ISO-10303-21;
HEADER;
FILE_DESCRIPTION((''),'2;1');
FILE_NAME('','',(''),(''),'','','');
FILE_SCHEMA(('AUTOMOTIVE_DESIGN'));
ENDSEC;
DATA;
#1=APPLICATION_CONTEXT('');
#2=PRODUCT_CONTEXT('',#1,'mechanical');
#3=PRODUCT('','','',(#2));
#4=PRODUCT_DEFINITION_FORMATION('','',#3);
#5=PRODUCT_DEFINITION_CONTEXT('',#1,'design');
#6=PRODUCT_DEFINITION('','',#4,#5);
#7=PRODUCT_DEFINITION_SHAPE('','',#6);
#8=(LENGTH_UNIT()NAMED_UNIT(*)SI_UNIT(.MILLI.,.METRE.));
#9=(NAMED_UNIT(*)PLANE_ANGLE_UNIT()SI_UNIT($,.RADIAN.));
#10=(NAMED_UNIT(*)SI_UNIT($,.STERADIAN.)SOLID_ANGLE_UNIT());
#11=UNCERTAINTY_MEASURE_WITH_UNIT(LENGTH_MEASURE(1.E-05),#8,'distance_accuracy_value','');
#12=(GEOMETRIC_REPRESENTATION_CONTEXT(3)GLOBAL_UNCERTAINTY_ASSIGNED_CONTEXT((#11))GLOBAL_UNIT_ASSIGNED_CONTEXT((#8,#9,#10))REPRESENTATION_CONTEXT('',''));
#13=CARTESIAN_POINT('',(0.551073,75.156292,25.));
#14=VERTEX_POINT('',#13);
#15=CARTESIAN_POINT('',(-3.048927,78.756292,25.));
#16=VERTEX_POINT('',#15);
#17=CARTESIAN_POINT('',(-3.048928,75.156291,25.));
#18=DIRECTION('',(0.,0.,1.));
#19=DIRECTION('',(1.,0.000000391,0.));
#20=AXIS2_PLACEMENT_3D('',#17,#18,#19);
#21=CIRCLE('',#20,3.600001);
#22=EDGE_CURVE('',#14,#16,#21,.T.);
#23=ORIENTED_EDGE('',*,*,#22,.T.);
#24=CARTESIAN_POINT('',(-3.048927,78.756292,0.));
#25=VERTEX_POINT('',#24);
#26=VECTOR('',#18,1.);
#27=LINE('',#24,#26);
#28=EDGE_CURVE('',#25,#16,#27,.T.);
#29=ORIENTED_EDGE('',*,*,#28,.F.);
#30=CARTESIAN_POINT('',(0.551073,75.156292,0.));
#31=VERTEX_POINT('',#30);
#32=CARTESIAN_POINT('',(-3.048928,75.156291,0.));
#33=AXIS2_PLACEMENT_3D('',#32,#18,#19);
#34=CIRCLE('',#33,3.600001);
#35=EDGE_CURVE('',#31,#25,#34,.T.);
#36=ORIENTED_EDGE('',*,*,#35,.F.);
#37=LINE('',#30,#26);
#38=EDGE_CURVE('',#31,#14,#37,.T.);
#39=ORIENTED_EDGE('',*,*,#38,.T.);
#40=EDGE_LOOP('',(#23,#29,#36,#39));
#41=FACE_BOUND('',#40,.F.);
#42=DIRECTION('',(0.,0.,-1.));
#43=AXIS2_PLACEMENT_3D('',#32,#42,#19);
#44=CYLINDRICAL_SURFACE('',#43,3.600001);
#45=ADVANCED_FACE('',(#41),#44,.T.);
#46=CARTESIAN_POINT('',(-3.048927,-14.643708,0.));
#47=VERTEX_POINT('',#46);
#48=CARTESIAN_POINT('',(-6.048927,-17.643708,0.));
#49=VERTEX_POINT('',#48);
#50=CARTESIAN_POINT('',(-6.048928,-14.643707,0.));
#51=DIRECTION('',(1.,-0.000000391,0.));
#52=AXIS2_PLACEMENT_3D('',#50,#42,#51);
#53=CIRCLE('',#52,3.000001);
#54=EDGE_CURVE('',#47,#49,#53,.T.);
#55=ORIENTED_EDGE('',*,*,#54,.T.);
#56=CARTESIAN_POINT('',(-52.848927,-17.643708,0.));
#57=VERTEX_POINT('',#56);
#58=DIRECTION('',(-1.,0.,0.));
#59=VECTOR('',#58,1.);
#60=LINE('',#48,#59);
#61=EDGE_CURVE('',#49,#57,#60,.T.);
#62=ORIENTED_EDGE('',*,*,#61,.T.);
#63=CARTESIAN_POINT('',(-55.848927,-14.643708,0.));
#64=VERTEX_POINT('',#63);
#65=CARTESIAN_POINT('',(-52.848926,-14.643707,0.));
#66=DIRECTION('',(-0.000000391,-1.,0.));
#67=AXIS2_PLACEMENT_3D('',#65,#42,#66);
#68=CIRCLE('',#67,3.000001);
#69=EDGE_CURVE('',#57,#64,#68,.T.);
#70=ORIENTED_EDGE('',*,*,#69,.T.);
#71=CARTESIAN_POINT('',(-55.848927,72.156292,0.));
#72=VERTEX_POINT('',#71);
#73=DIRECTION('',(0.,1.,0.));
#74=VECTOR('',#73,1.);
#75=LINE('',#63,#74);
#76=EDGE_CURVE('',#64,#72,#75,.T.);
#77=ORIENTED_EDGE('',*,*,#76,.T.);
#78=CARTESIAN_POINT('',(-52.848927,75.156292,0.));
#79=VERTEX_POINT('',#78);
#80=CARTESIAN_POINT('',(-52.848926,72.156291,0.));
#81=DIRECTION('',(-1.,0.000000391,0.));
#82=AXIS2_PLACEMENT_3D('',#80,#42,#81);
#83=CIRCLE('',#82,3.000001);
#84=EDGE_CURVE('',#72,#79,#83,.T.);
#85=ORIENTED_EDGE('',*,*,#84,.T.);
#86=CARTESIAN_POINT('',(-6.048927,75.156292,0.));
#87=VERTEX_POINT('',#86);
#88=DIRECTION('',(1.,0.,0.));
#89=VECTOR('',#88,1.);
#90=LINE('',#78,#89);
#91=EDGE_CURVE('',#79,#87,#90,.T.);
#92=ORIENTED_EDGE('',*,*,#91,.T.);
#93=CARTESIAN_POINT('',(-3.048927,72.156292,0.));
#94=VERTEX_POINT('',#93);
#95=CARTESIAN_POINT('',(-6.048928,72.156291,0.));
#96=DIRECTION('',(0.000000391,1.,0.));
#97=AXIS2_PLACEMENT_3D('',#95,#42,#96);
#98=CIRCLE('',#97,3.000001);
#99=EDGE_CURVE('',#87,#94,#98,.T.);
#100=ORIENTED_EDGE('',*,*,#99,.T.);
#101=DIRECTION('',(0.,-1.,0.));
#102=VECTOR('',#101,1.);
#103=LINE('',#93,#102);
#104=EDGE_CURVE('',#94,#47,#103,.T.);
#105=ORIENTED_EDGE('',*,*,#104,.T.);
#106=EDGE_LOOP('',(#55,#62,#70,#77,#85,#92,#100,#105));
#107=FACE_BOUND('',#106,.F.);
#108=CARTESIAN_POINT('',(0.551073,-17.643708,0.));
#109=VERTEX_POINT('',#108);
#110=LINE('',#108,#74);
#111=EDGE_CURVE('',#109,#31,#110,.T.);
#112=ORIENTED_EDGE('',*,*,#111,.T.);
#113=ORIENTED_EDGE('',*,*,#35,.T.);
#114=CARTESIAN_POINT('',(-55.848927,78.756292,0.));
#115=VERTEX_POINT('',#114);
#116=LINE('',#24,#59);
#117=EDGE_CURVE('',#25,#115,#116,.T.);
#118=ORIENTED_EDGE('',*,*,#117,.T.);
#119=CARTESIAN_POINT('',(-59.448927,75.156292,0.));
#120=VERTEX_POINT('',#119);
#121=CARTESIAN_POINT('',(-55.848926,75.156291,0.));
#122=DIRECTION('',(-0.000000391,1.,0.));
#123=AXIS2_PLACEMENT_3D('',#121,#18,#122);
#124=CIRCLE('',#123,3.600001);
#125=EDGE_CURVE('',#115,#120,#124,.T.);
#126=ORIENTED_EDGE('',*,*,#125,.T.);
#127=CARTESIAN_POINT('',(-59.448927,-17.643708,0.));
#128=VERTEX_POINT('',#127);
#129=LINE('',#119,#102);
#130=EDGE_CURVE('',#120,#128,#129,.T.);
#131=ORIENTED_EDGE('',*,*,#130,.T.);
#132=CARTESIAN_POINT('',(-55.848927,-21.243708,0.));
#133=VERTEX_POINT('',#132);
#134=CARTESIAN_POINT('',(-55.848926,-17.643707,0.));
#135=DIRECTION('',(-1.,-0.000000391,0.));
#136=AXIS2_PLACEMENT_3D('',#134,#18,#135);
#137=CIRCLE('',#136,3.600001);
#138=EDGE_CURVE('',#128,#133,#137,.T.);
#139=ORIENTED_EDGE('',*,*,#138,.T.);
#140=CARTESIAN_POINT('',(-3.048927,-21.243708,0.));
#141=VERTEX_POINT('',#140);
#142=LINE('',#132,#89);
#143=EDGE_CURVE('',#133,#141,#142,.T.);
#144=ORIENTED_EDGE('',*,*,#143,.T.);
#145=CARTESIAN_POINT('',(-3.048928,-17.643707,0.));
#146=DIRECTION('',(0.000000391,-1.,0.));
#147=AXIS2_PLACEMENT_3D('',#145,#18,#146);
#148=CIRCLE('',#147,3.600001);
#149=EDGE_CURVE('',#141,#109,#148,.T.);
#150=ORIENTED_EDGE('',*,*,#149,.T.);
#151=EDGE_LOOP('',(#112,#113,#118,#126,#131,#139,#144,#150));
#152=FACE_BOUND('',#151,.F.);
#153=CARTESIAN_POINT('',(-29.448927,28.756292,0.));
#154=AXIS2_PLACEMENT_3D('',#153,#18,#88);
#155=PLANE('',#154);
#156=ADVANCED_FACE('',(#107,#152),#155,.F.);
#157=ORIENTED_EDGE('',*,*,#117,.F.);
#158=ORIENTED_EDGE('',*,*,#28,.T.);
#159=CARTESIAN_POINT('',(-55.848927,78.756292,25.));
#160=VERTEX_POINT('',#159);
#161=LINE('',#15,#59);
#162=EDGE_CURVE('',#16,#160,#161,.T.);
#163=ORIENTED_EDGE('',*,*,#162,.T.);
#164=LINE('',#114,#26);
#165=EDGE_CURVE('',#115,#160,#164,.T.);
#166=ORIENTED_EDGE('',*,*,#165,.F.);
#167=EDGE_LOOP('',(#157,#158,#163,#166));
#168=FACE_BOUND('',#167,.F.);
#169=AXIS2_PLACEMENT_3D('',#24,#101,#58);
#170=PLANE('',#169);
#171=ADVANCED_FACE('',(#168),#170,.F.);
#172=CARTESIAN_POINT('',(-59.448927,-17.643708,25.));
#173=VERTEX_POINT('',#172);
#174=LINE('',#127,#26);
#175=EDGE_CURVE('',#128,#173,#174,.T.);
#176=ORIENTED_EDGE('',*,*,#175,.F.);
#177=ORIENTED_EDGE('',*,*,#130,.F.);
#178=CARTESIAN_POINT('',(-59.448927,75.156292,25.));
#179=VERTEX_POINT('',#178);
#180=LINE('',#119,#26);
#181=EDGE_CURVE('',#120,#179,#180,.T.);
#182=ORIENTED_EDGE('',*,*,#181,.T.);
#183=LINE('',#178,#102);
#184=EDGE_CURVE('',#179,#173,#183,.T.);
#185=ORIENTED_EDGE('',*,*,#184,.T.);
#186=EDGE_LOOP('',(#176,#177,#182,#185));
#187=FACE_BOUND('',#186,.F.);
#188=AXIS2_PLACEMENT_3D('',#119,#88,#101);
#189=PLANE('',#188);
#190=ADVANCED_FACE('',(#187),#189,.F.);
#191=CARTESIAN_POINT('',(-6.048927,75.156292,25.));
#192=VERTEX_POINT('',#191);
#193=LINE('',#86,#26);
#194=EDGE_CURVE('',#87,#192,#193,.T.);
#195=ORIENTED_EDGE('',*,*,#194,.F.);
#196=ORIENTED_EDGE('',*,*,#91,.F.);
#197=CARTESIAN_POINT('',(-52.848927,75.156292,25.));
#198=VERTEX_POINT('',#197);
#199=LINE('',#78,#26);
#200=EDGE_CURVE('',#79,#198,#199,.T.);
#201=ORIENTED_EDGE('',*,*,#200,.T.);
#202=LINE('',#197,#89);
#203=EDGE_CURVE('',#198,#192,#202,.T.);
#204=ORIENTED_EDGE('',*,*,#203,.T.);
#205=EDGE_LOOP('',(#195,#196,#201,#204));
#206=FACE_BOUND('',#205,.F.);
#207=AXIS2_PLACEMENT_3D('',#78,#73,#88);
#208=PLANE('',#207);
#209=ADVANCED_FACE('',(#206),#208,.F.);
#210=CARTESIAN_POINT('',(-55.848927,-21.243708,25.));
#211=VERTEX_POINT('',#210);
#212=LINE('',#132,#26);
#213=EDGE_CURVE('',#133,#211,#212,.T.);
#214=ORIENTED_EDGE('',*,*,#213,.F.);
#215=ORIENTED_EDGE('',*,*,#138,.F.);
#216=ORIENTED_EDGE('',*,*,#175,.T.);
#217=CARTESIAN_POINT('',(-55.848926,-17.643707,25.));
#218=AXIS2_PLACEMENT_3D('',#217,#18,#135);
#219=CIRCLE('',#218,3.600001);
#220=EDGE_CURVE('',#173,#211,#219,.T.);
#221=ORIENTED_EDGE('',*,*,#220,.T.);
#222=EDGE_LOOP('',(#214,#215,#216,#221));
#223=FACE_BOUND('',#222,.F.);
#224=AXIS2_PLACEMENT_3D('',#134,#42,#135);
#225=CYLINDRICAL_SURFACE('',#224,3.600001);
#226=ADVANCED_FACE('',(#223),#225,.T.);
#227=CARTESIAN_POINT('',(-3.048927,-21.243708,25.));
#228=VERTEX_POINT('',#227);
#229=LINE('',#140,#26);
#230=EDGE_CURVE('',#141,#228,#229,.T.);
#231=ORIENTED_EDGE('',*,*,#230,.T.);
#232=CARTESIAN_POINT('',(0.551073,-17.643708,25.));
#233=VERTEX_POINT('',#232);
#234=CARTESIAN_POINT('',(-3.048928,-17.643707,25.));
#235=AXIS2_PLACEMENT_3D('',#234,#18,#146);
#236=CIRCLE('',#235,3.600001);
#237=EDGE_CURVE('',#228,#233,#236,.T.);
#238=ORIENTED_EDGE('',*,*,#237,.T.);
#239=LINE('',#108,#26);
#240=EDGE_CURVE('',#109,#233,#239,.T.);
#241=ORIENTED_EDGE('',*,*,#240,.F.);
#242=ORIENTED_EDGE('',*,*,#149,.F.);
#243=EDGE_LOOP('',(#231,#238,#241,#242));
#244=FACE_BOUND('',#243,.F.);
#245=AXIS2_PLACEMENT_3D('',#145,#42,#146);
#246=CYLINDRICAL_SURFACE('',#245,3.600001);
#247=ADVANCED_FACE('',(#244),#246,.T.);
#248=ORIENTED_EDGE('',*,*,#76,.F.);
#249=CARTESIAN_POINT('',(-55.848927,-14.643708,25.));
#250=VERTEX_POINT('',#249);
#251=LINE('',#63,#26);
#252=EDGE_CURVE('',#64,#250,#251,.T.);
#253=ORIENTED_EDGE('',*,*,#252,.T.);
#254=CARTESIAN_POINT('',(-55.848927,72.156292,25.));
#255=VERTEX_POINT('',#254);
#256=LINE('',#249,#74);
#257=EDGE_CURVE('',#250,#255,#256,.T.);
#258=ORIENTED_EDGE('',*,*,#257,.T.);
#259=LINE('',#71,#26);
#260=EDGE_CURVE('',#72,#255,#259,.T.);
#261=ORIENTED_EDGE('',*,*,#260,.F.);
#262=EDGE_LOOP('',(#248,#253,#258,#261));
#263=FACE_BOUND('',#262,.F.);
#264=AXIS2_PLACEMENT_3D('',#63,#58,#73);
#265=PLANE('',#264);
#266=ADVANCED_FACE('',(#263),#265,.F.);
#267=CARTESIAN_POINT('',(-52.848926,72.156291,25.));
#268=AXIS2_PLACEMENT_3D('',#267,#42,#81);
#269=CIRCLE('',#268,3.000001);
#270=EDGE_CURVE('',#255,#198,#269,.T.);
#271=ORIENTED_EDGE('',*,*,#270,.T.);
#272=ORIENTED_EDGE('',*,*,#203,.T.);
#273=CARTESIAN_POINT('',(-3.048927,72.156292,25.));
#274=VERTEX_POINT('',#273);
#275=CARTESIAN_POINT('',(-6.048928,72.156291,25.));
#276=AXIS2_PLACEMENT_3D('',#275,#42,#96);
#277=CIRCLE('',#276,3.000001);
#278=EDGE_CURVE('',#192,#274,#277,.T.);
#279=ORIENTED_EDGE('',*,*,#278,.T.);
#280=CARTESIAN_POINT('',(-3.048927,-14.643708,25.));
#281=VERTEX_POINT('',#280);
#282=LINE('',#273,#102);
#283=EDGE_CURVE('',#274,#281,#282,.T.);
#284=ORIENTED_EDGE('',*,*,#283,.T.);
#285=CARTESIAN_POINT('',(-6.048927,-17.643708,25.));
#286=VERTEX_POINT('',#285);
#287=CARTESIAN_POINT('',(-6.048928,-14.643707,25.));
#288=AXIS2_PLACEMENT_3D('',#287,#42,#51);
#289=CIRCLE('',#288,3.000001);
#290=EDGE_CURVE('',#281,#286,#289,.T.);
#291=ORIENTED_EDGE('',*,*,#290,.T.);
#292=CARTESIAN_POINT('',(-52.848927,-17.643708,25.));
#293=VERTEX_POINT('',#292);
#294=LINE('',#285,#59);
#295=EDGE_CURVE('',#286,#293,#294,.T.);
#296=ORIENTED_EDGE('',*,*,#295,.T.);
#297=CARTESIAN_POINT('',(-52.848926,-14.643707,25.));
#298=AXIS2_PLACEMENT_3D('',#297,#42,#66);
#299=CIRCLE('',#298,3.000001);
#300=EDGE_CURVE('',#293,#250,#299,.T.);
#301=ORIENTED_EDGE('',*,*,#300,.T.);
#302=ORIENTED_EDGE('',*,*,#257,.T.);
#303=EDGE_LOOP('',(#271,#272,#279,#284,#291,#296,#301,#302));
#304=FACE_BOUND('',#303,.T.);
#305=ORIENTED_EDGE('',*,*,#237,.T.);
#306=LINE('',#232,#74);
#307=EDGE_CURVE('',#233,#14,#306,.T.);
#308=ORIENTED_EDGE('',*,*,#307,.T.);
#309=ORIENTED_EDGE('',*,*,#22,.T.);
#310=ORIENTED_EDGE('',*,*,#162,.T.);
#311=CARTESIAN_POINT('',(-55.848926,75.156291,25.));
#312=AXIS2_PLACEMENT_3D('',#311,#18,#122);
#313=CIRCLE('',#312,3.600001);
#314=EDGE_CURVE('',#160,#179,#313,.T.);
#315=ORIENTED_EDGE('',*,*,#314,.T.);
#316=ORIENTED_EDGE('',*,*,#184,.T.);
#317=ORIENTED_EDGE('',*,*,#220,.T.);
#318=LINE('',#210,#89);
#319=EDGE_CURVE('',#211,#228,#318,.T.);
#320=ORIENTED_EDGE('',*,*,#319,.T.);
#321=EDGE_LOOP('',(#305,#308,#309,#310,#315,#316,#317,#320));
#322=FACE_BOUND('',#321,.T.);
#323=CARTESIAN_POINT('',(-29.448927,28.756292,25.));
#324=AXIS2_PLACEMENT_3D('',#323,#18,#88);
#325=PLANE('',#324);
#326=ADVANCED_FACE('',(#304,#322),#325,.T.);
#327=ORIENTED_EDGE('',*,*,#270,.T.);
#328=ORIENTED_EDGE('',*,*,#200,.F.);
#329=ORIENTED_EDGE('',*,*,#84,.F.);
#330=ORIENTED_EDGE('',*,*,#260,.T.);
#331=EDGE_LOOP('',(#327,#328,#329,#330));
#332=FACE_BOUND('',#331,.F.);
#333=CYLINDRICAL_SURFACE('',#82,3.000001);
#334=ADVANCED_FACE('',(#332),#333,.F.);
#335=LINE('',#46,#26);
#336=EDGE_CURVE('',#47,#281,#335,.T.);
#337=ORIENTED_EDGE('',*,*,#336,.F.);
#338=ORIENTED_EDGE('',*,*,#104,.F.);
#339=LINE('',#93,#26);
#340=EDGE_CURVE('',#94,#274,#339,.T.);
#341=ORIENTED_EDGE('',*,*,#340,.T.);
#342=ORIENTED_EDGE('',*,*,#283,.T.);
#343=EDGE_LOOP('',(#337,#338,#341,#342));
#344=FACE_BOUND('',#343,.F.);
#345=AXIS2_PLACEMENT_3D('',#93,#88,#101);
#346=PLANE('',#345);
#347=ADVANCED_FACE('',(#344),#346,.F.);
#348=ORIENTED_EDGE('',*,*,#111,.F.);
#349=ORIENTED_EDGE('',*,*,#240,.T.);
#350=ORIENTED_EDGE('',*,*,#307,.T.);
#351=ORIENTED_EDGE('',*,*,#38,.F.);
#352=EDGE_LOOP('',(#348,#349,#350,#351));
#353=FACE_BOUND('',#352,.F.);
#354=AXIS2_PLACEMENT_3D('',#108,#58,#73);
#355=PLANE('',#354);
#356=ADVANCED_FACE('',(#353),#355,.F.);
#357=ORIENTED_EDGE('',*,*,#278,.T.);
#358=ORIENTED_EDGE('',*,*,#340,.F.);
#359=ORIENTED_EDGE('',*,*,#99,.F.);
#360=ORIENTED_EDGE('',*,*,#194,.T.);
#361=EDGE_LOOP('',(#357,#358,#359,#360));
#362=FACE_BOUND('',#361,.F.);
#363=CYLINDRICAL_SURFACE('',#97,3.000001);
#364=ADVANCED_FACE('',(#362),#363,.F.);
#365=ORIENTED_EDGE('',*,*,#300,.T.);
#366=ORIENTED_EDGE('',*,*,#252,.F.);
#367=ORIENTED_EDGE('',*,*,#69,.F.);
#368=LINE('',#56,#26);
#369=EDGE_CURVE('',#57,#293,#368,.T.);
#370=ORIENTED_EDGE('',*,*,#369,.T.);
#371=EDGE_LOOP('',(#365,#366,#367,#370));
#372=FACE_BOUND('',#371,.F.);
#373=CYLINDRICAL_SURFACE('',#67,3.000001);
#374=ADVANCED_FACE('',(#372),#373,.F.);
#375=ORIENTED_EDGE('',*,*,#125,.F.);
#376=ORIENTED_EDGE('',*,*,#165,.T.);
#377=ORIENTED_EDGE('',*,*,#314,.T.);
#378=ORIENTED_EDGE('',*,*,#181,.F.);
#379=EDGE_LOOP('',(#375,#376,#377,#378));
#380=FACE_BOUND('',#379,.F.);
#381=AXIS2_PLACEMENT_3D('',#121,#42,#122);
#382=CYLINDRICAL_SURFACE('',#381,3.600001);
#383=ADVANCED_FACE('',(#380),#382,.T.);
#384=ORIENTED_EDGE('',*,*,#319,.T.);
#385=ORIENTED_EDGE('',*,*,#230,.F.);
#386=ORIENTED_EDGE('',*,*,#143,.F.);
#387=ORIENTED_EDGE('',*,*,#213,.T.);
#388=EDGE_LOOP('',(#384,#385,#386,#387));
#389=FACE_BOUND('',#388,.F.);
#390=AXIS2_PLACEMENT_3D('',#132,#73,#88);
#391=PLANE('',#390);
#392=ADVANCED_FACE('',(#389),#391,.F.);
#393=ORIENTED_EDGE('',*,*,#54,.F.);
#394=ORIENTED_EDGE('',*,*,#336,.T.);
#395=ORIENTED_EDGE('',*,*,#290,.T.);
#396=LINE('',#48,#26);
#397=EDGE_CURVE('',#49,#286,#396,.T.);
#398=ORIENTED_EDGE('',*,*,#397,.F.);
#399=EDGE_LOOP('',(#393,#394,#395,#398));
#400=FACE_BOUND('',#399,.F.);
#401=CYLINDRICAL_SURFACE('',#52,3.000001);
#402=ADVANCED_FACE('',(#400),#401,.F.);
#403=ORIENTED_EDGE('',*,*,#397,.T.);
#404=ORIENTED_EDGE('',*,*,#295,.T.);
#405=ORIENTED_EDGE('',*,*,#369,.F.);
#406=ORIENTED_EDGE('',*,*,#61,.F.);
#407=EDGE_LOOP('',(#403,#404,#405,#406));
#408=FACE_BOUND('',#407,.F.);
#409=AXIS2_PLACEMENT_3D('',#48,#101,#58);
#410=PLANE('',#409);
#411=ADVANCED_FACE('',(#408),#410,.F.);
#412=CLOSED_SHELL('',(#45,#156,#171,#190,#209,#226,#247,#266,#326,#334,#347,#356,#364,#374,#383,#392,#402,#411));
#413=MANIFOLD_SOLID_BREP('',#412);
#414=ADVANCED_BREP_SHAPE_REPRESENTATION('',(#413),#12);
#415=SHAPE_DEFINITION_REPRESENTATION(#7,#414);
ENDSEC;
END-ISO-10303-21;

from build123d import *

# Parameters (mm, degrees)
F1_DEPTH = 25


with BuildPart() as f1:
    # F0 (on Top) → F1 (new body)
    with BuildSketch(Plane.XY):
        with BuildLine():
            Line((-3.048927, 78.756292), (-55.848927, 78.756292))
            ThreePointArc((-55.848927, 78.756292), (-58.394511, 77.701876), (-59.448927, 75.156292))
            Line((-59.448927, 75.156292), (-59.448927, -17.643708))
            ThreePointArc((-59.448927, -17.643708), (-58.394511, -20.189292), (-55.848927, -21.243708))
            Line((-55.848927, -21.243708), (-3.048927, -21.243708))
            ThreePointArc((-3.048927, -21.243708), (-0.503343, -20.189292), (0.551073, -17.643708))
            Line((0.551073, -17.643708), (0.551073, 75.156292))
            ThreePointArc((0.551073, 75.156292), (-0.503343, 77.701876), (-3.048927, 78.756292))
        make_face()
        with BuildLine():
            Line((-52.848927, 75.156292), (-6.048927, 75.156292))
            ThreePointArc((-6.048927, 75.156292), (-3.927607, 74.277612), (-3.048927, 72.156292))
            Line((-3.048927, 72.156292), (-3.048927, -14.643708))
            ThreePointArc((-3.048927, -14.643708), (-3.927607, -16.765028), (-6.048927, -17.643708))
            Line((-6.048927, -17.643708), (-52.848927, -17.643708))
            ThreePointArc((-52.848927, -17.643708), (-54.970247, -16.765028), (-55.848927, -14.643708))
            Line((-55.848927, -14.643708), (-55.848927, 72.156292))
            ThreePointArc((-55.848927, 72.156292), (-54.970247, 74.277612), (-52.848927, 75.156292))
        make_face(mode=Mode.SUBTRACT)
    extrude(amount=F1_DEPTH)


solid = f1.part
